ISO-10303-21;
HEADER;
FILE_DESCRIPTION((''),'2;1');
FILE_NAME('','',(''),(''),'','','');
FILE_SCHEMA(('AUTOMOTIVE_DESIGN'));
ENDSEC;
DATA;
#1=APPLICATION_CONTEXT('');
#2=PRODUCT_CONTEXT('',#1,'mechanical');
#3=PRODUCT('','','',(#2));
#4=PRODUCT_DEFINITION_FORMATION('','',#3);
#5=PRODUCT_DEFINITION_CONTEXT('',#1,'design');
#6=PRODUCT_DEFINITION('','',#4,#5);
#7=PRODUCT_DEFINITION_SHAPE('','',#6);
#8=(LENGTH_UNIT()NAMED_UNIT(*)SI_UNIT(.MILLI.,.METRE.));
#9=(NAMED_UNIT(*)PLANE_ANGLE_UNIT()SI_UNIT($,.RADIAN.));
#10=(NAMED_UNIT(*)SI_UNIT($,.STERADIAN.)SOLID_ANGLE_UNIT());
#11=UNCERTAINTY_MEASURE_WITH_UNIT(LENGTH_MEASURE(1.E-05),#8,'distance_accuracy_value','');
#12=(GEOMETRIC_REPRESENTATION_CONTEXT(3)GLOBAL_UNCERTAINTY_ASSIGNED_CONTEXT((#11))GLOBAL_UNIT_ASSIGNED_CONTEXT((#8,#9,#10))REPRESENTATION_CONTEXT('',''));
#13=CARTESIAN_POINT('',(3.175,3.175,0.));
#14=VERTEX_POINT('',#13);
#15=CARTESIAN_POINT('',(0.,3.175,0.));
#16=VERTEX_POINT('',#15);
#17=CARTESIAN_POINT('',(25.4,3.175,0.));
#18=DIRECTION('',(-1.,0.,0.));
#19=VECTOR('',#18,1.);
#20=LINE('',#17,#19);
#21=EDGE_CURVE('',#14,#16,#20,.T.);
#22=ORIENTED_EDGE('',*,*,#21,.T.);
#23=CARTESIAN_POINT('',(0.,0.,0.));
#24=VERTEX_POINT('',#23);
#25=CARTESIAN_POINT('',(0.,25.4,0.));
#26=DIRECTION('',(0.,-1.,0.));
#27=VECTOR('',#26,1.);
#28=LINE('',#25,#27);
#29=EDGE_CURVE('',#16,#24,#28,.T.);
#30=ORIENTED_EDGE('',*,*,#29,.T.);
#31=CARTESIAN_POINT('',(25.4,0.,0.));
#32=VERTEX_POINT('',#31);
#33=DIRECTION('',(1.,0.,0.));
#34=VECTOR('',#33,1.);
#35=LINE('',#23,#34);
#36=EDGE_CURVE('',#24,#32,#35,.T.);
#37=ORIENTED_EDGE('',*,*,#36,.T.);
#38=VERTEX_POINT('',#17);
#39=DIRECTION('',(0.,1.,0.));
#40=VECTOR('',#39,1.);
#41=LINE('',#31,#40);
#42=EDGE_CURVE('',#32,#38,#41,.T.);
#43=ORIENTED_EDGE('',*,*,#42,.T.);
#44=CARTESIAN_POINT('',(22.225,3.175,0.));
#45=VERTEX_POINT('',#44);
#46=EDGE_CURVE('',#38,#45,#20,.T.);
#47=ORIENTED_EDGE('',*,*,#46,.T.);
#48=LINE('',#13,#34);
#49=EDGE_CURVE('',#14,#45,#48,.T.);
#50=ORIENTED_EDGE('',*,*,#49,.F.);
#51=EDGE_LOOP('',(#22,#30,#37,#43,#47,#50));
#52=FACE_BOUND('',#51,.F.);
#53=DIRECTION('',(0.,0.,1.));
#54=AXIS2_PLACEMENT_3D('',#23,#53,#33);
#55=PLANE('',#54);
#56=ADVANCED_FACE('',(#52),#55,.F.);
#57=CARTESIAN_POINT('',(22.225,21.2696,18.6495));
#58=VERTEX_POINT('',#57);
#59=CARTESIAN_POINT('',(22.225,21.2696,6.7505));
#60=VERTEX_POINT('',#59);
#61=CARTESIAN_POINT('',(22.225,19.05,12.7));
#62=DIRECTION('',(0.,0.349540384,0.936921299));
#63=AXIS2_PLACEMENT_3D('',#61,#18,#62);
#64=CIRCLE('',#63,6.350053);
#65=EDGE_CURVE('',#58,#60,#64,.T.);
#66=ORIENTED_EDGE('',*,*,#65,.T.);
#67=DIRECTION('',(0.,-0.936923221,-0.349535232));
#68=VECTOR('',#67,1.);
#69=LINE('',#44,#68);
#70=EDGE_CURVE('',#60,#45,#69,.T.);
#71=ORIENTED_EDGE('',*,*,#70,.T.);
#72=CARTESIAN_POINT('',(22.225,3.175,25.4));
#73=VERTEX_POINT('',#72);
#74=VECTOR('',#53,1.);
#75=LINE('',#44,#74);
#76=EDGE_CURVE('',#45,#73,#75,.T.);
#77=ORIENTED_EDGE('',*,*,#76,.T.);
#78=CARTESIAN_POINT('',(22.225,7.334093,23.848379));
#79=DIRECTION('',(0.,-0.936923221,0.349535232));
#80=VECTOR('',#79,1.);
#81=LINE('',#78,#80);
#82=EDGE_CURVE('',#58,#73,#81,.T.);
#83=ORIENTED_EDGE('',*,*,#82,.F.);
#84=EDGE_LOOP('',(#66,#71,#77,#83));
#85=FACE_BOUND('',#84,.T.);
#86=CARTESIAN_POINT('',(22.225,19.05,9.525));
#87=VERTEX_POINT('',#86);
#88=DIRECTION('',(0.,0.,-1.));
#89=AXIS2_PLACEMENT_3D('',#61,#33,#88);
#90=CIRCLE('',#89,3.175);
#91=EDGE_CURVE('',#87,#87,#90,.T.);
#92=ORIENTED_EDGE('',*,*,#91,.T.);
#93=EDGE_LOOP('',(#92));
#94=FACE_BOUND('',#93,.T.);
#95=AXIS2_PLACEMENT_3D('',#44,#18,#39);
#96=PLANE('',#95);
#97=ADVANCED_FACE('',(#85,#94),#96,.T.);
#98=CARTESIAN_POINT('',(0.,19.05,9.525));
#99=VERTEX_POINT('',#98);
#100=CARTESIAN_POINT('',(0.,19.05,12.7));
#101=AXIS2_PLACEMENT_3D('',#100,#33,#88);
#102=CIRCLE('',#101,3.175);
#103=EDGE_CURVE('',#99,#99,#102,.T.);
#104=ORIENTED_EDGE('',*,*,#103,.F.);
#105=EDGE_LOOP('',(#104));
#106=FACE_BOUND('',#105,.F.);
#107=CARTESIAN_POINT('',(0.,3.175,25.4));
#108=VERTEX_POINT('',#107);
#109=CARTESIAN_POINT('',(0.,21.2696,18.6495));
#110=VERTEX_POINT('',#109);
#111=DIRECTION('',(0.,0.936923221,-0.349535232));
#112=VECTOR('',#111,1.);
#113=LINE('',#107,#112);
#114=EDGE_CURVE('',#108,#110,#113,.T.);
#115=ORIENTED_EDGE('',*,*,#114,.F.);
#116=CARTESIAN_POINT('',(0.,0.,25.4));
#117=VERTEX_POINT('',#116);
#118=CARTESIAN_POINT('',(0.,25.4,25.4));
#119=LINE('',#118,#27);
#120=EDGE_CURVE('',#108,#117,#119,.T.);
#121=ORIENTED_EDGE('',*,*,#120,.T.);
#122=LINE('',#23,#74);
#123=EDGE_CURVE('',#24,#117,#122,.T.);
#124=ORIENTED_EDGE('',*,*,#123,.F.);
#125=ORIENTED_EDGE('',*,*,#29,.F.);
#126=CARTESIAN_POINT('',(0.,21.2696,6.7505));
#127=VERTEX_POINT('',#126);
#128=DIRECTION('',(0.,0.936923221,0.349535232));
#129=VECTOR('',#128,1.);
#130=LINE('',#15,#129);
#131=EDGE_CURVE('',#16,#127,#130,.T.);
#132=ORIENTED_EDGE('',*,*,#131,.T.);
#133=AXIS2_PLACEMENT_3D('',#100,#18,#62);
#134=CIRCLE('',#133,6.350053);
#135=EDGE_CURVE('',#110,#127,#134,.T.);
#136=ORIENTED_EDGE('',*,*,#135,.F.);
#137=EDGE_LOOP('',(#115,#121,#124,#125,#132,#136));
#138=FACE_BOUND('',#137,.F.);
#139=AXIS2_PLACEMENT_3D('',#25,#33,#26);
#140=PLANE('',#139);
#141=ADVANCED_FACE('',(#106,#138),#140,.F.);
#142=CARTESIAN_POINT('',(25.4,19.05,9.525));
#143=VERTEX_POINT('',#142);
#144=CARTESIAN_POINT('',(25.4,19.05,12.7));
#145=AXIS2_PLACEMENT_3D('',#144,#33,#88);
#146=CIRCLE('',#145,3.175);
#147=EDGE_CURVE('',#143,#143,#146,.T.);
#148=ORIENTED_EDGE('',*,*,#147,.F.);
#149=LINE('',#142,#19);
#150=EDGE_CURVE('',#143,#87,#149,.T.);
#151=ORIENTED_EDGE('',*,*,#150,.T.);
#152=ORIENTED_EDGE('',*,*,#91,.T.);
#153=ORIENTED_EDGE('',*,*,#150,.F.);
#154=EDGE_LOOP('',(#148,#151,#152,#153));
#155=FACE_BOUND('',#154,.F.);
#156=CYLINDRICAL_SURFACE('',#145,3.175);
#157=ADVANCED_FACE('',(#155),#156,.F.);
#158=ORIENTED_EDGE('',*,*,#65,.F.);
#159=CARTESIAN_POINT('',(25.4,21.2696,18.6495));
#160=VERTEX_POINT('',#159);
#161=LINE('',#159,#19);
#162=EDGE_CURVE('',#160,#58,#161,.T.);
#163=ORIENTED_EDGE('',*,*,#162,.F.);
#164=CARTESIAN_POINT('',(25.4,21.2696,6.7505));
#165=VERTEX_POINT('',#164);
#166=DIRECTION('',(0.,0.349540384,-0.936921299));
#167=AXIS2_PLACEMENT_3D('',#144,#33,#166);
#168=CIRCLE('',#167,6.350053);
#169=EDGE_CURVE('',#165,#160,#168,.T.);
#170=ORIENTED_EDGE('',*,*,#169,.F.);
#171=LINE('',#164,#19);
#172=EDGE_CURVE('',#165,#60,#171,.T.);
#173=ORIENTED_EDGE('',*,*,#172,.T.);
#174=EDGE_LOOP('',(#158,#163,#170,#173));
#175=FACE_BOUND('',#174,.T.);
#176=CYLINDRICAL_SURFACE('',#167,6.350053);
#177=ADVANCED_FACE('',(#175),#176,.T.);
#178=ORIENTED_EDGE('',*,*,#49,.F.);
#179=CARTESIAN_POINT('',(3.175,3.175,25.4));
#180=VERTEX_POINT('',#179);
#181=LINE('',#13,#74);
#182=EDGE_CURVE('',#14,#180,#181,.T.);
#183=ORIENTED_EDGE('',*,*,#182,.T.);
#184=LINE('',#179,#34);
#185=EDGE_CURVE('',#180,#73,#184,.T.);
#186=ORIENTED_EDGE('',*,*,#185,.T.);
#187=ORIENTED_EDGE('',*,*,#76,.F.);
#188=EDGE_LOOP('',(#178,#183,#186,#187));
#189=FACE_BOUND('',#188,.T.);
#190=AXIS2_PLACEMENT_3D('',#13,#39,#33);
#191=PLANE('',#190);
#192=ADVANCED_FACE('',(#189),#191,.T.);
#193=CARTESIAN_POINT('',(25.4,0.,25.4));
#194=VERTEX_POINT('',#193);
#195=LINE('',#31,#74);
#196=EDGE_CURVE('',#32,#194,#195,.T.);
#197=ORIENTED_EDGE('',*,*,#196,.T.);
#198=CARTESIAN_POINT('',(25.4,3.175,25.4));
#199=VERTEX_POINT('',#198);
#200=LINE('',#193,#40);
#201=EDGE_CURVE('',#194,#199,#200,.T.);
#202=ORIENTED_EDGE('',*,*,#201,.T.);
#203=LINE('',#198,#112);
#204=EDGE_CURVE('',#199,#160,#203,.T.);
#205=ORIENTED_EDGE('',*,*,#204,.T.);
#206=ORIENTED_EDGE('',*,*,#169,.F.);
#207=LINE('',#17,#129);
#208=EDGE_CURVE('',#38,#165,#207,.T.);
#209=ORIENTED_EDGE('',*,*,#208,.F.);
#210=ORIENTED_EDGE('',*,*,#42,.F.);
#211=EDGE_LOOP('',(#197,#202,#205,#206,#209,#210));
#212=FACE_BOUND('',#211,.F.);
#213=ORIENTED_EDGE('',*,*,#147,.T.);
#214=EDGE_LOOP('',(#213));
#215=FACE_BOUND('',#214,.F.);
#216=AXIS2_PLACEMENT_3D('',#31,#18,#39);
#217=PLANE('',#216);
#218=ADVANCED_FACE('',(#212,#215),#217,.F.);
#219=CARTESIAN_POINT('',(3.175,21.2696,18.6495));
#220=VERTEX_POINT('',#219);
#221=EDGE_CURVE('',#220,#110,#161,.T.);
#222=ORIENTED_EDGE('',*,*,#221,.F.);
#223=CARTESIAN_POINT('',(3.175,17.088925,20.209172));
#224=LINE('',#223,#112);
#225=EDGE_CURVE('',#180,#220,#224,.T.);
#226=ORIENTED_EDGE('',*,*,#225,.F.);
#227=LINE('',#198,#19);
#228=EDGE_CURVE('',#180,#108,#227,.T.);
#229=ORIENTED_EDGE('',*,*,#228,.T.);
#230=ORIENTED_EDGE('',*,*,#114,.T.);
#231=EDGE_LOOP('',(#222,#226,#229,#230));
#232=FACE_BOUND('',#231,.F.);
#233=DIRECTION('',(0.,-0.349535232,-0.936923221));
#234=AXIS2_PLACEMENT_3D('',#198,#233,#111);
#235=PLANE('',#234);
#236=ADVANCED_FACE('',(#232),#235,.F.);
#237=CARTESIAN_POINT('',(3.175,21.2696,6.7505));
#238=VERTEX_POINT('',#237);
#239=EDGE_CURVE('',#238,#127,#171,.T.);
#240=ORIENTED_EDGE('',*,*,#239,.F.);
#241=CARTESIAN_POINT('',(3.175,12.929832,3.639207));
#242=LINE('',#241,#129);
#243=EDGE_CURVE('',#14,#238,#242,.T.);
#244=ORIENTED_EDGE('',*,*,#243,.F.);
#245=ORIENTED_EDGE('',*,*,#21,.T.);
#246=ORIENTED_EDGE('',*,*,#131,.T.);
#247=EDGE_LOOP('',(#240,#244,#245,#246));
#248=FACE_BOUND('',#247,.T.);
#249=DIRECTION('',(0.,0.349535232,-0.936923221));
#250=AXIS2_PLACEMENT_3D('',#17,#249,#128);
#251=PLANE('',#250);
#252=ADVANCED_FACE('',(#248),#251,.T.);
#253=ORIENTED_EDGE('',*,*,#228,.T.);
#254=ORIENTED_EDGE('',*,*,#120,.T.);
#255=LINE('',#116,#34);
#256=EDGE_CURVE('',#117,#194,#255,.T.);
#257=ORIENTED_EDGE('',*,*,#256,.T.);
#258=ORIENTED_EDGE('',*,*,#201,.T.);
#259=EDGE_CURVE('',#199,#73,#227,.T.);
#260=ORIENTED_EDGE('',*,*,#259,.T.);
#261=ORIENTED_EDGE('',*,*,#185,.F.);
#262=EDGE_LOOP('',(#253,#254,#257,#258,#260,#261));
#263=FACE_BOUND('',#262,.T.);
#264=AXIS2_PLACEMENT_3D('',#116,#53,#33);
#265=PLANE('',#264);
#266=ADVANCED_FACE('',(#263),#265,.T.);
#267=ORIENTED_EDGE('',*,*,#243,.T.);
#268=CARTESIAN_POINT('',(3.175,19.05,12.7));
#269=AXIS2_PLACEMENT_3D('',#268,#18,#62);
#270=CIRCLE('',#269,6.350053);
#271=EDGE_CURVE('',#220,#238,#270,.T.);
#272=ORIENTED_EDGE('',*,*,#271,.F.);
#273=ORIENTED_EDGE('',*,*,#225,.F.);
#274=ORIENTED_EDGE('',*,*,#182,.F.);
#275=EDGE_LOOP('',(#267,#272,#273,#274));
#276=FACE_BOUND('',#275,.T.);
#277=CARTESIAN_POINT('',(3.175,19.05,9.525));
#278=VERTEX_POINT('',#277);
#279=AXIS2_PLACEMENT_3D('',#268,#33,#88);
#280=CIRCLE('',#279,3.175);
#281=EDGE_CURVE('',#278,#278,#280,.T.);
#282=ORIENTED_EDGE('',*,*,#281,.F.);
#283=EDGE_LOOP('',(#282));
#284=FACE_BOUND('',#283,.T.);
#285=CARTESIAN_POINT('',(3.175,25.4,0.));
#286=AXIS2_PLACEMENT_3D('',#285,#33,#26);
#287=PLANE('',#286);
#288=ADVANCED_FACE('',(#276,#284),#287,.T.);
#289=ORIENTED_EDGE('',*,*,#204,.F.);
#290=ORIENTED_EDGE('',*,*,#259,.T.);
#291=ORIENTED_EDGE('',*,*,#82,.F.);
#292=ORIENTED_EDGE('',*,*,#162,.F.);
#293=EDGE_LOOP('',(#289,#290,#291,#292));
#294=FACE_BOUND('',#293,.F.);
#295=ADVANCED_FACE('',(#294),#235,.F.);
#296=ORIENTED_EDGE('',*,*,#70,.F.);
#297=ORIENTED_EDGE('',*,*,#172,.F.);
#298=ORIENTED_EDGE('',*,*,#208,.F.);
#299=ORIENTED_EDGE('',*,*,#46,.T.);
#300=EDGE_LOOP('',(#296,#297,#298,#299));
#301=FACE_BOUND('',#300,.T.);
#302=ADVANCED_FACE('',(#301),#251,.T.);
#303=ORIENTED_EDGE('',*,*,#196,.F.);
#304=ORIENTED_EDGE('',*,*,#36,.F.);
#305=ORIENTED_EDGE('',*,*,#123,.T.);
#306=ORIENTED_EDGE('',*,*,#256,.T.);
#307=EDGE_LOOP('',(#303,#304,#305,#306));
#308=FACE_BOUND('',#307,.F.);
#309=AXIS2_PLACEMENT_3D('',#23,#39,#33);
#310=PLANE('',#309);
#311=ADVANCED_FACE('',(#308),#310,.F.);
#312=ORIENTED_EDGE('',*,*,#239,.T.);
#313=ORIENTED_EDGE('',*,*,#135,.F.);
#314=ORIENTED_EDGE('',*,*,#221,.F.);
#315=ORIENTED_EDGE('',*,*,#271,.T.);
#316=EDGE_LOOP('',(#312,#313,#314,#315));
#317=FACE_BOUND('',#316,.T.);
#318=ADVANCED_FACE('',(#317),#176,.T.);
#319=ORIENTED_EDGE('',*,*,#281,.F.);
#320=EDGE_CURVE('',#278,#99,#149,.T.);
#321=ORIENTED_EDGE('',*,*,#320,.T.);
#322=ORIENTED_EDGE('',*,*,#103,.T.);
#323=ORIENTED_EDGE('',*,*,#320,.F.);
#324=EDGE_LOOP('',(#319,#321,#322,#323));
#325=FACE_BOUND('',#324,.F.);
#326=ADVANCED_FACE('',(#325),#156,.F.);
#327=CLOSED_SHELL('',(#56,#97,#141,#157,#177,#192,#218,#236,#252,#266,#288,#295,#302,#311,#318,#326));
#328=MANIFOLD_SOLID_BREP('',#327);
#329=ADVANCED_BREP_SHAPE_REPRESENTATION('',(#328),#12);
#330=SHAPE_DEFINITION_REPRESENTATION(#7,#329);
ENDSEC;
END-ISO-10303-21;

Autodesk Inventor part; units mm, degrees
ref_plane "YZ Plane" through (0, 0, 0) normal (1, 0, 0) x (0, 1, 0)
ref_plane "XZ Plane" through (0, 0, 0) normal (0, 1, 0) x (-1, 0, 0)
ref_plane "XY Plane" through (0, 0, 0) normal (0, 0, 1) x (1, 0, 0)
sketch "Sketch1" plane through (0, 0, 0) normal (0, 0, 1) x (1, 0, 0)
  line L0 (0, 0) -> (25.4, 0)
  line L1 (25.4, 0) -> (25.4, 25.4)
  line L2 (0, 25.4) -> (0, 0)
  line L3 (3.175, 3.175) -> (22.225, 3.175)
  line L4 (22.225, 3.175) -> (22.225, 25.4)
  line L5 (3.175, 25.4) -> (3.175, 3.175)
  line L6 (25.4, 25.4) -> (22.225, 25.4)
  line L7 (3.175, 25.4) -> (0, 25.4)
  dimension "d0" = 25.4
  dimension "d1" = 25.4
  dimension "d2" = 3.175
  dimension "d3" = 3.175
  dimension "d4" = 3.175
extrude "Extrusion1" add sketch "Sketch1" along normal blind 25.4
sketch "Sketch2" plane through (25.4, 0, 0) normal (1, 0, 0) x (0, 0, -1)
  line L0 (-25.4, 25.4) -> (-25.4, 0) projected
  line L1 (0, 0) -> (-25.4, 0) projected
  line L2 (0, 0) -> (0, 25.4) projected
  line L3 (0, 25.4) -> (-25.4, 25.4) projected
  arc A0 (-6.7505, 21.2696) -> (-18.6495, 21.2696) centre (-12.7, 19.05) ccw
  circle A1 centre (-12.7, 19.05) radius 3.175
  line L4 (-25.4, 3.175) -> (-18.6495, 21.2696)
  line L5 (0, 3.175) -> (-6.7505, 21.2696)
  dimension "d7" = 19.05
  dimension "d8" = 12.7
  dimension "d9" = 6.35
  dimension "d10" = 3.175
  dimension "d11" = 3.175
extrude "Extrusion2" cut sketch "Sketch2" against normal blind 25.4 contours L3 A0 L4 L0 | L3 L2 L5 A0 | A1
equation "\"d1\" = d0"
equation "\"d3\" = d2"
equation "\"d4\" = d2"
equation "\"d11\" = d10"
properties part number "manipulator actuator braket"
